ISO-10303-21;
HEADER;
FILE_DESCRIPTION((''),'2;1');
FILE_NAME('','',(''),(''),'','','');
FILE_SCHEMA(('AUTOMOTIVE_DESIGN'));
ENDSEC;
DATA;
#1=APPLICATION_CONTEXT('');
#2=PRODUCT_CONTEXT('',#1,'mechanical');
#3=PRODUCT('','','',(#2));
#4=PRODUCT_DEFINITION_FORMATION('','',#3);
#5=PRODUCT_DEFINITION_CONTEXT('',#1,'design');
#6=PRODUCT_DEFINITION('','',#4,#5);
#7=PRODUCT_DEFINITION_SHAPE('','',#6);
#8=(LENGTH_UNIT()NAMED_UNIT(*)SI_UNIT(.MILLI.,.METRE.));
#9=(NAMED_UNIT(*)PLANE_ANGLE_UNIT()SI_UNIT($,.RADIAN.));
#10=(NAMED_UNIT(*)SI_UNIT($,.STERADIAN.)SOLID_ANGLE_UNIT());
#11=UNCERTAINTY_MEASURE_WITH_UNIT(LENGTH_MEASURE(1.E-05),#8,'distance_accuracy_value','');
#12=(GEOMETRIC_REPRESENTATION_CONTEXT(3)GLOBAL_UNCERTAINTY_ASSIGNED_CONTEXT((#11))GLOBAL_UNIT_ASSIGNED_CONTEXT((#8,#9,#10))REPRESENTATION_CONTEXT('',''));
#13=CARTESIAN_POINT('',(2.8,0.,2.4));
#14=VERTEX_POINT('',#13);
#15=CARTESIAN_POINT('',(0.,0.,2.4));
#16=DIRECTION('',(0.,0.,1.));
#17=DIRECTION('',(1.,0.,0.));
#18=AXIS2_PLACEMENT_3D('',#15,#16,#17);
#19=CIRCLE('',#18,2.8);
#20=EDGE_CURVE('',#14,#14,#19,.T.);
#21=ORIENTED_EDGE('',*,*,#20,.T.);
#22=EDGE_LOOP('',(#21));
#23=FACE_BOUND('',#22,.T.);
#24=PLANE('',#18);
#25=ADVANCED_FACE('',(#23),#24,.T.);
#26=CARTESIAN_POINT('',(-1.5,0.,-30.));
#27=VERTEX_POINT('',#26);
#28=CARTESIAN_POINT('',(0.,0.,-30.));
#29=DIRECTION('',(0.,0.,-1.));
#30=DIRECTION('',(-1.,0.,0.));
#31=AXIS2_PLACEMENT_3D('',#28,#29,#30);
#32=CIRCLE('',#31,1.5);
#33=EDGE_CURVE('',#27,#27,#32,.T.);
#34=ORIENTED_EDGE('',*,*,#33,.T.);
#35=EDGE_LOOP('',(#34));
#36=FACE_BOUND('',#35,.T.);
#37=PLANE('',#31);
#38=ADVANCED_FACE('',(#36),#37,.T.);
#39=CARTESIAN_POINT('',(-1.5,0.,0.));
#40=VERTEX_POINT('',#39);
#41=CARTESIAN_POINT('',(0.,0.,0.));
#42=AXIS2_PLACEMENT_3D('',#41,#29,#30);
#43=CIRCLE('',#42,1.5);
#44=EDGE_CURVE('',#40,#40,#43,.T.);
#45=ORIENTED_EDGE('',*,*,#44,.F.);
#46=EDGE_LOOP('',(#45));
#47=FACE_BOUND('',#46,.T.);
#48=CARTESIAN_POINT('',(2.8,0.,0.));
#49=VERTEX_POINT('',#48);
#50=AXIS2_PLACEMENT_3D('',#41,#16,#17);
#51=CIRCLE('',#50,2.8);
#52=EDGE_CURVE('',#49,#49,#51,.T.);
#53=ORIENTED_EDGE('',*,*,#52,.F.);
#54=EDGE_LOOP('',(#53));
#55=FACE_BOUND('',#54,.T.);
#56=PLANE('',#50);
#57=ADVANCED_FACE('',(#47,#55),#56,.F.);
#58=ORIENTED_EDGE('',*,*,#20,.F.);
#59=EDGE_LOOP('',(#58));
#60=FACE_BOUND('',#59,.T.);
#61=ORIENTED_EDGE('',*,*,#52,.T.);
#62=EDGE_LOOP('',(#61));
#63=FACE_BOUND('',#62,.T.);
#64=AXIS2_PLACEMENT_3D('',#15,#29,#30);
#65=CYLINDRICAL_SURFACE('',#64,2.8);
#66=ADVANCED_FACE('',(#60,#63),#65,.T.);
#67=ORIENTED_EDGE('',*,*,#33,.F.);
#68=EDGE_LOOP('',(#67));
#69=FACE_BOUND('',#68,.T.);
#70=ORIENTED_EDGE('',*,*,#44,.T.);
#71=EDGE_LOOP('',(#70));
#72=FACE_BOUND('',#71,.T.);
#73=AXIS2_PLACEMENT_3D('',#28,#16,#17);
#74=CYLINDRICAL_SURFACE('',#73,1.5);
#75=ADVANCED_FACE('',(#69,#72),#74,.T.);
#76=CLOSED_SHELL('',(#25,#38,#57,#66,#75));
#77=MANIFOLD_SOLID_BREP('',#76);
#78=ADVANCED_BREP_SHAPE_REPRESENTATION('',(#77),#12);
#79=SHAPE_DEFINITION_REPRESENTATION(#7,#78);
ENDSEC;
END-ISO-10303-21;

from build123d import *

# Parameters (mm, degrees)
ESQUISSE1_R        = 2.8
BOSS_EXTRU_1_DEPTH = 2.4
ESQUISSE2_R        = 1.5
BOSS_EXTRU_2_DEPTH = 30


with BuildPart() as part:
    # Esquisse1 → Boss.-Extru.1 (new body)
    with BuildSketch(Plane.XY):
        Circle(ESQUISSE1_R)
    extrude(amount=BOSS_EXTRU_1_DEPTH)

    # Esquisse2 → Boss.-Extru.2 (add)
    with BuildSketch(Plane(origin=(0, 0, 0), x_dir=(-1, 0, 0), z_dir=(0, 0, -1))):
        Circle(ESQUISSE2_R)
    extrude(amount=BOSS_EXTRU_2_DEPTH)


solid = part.part
